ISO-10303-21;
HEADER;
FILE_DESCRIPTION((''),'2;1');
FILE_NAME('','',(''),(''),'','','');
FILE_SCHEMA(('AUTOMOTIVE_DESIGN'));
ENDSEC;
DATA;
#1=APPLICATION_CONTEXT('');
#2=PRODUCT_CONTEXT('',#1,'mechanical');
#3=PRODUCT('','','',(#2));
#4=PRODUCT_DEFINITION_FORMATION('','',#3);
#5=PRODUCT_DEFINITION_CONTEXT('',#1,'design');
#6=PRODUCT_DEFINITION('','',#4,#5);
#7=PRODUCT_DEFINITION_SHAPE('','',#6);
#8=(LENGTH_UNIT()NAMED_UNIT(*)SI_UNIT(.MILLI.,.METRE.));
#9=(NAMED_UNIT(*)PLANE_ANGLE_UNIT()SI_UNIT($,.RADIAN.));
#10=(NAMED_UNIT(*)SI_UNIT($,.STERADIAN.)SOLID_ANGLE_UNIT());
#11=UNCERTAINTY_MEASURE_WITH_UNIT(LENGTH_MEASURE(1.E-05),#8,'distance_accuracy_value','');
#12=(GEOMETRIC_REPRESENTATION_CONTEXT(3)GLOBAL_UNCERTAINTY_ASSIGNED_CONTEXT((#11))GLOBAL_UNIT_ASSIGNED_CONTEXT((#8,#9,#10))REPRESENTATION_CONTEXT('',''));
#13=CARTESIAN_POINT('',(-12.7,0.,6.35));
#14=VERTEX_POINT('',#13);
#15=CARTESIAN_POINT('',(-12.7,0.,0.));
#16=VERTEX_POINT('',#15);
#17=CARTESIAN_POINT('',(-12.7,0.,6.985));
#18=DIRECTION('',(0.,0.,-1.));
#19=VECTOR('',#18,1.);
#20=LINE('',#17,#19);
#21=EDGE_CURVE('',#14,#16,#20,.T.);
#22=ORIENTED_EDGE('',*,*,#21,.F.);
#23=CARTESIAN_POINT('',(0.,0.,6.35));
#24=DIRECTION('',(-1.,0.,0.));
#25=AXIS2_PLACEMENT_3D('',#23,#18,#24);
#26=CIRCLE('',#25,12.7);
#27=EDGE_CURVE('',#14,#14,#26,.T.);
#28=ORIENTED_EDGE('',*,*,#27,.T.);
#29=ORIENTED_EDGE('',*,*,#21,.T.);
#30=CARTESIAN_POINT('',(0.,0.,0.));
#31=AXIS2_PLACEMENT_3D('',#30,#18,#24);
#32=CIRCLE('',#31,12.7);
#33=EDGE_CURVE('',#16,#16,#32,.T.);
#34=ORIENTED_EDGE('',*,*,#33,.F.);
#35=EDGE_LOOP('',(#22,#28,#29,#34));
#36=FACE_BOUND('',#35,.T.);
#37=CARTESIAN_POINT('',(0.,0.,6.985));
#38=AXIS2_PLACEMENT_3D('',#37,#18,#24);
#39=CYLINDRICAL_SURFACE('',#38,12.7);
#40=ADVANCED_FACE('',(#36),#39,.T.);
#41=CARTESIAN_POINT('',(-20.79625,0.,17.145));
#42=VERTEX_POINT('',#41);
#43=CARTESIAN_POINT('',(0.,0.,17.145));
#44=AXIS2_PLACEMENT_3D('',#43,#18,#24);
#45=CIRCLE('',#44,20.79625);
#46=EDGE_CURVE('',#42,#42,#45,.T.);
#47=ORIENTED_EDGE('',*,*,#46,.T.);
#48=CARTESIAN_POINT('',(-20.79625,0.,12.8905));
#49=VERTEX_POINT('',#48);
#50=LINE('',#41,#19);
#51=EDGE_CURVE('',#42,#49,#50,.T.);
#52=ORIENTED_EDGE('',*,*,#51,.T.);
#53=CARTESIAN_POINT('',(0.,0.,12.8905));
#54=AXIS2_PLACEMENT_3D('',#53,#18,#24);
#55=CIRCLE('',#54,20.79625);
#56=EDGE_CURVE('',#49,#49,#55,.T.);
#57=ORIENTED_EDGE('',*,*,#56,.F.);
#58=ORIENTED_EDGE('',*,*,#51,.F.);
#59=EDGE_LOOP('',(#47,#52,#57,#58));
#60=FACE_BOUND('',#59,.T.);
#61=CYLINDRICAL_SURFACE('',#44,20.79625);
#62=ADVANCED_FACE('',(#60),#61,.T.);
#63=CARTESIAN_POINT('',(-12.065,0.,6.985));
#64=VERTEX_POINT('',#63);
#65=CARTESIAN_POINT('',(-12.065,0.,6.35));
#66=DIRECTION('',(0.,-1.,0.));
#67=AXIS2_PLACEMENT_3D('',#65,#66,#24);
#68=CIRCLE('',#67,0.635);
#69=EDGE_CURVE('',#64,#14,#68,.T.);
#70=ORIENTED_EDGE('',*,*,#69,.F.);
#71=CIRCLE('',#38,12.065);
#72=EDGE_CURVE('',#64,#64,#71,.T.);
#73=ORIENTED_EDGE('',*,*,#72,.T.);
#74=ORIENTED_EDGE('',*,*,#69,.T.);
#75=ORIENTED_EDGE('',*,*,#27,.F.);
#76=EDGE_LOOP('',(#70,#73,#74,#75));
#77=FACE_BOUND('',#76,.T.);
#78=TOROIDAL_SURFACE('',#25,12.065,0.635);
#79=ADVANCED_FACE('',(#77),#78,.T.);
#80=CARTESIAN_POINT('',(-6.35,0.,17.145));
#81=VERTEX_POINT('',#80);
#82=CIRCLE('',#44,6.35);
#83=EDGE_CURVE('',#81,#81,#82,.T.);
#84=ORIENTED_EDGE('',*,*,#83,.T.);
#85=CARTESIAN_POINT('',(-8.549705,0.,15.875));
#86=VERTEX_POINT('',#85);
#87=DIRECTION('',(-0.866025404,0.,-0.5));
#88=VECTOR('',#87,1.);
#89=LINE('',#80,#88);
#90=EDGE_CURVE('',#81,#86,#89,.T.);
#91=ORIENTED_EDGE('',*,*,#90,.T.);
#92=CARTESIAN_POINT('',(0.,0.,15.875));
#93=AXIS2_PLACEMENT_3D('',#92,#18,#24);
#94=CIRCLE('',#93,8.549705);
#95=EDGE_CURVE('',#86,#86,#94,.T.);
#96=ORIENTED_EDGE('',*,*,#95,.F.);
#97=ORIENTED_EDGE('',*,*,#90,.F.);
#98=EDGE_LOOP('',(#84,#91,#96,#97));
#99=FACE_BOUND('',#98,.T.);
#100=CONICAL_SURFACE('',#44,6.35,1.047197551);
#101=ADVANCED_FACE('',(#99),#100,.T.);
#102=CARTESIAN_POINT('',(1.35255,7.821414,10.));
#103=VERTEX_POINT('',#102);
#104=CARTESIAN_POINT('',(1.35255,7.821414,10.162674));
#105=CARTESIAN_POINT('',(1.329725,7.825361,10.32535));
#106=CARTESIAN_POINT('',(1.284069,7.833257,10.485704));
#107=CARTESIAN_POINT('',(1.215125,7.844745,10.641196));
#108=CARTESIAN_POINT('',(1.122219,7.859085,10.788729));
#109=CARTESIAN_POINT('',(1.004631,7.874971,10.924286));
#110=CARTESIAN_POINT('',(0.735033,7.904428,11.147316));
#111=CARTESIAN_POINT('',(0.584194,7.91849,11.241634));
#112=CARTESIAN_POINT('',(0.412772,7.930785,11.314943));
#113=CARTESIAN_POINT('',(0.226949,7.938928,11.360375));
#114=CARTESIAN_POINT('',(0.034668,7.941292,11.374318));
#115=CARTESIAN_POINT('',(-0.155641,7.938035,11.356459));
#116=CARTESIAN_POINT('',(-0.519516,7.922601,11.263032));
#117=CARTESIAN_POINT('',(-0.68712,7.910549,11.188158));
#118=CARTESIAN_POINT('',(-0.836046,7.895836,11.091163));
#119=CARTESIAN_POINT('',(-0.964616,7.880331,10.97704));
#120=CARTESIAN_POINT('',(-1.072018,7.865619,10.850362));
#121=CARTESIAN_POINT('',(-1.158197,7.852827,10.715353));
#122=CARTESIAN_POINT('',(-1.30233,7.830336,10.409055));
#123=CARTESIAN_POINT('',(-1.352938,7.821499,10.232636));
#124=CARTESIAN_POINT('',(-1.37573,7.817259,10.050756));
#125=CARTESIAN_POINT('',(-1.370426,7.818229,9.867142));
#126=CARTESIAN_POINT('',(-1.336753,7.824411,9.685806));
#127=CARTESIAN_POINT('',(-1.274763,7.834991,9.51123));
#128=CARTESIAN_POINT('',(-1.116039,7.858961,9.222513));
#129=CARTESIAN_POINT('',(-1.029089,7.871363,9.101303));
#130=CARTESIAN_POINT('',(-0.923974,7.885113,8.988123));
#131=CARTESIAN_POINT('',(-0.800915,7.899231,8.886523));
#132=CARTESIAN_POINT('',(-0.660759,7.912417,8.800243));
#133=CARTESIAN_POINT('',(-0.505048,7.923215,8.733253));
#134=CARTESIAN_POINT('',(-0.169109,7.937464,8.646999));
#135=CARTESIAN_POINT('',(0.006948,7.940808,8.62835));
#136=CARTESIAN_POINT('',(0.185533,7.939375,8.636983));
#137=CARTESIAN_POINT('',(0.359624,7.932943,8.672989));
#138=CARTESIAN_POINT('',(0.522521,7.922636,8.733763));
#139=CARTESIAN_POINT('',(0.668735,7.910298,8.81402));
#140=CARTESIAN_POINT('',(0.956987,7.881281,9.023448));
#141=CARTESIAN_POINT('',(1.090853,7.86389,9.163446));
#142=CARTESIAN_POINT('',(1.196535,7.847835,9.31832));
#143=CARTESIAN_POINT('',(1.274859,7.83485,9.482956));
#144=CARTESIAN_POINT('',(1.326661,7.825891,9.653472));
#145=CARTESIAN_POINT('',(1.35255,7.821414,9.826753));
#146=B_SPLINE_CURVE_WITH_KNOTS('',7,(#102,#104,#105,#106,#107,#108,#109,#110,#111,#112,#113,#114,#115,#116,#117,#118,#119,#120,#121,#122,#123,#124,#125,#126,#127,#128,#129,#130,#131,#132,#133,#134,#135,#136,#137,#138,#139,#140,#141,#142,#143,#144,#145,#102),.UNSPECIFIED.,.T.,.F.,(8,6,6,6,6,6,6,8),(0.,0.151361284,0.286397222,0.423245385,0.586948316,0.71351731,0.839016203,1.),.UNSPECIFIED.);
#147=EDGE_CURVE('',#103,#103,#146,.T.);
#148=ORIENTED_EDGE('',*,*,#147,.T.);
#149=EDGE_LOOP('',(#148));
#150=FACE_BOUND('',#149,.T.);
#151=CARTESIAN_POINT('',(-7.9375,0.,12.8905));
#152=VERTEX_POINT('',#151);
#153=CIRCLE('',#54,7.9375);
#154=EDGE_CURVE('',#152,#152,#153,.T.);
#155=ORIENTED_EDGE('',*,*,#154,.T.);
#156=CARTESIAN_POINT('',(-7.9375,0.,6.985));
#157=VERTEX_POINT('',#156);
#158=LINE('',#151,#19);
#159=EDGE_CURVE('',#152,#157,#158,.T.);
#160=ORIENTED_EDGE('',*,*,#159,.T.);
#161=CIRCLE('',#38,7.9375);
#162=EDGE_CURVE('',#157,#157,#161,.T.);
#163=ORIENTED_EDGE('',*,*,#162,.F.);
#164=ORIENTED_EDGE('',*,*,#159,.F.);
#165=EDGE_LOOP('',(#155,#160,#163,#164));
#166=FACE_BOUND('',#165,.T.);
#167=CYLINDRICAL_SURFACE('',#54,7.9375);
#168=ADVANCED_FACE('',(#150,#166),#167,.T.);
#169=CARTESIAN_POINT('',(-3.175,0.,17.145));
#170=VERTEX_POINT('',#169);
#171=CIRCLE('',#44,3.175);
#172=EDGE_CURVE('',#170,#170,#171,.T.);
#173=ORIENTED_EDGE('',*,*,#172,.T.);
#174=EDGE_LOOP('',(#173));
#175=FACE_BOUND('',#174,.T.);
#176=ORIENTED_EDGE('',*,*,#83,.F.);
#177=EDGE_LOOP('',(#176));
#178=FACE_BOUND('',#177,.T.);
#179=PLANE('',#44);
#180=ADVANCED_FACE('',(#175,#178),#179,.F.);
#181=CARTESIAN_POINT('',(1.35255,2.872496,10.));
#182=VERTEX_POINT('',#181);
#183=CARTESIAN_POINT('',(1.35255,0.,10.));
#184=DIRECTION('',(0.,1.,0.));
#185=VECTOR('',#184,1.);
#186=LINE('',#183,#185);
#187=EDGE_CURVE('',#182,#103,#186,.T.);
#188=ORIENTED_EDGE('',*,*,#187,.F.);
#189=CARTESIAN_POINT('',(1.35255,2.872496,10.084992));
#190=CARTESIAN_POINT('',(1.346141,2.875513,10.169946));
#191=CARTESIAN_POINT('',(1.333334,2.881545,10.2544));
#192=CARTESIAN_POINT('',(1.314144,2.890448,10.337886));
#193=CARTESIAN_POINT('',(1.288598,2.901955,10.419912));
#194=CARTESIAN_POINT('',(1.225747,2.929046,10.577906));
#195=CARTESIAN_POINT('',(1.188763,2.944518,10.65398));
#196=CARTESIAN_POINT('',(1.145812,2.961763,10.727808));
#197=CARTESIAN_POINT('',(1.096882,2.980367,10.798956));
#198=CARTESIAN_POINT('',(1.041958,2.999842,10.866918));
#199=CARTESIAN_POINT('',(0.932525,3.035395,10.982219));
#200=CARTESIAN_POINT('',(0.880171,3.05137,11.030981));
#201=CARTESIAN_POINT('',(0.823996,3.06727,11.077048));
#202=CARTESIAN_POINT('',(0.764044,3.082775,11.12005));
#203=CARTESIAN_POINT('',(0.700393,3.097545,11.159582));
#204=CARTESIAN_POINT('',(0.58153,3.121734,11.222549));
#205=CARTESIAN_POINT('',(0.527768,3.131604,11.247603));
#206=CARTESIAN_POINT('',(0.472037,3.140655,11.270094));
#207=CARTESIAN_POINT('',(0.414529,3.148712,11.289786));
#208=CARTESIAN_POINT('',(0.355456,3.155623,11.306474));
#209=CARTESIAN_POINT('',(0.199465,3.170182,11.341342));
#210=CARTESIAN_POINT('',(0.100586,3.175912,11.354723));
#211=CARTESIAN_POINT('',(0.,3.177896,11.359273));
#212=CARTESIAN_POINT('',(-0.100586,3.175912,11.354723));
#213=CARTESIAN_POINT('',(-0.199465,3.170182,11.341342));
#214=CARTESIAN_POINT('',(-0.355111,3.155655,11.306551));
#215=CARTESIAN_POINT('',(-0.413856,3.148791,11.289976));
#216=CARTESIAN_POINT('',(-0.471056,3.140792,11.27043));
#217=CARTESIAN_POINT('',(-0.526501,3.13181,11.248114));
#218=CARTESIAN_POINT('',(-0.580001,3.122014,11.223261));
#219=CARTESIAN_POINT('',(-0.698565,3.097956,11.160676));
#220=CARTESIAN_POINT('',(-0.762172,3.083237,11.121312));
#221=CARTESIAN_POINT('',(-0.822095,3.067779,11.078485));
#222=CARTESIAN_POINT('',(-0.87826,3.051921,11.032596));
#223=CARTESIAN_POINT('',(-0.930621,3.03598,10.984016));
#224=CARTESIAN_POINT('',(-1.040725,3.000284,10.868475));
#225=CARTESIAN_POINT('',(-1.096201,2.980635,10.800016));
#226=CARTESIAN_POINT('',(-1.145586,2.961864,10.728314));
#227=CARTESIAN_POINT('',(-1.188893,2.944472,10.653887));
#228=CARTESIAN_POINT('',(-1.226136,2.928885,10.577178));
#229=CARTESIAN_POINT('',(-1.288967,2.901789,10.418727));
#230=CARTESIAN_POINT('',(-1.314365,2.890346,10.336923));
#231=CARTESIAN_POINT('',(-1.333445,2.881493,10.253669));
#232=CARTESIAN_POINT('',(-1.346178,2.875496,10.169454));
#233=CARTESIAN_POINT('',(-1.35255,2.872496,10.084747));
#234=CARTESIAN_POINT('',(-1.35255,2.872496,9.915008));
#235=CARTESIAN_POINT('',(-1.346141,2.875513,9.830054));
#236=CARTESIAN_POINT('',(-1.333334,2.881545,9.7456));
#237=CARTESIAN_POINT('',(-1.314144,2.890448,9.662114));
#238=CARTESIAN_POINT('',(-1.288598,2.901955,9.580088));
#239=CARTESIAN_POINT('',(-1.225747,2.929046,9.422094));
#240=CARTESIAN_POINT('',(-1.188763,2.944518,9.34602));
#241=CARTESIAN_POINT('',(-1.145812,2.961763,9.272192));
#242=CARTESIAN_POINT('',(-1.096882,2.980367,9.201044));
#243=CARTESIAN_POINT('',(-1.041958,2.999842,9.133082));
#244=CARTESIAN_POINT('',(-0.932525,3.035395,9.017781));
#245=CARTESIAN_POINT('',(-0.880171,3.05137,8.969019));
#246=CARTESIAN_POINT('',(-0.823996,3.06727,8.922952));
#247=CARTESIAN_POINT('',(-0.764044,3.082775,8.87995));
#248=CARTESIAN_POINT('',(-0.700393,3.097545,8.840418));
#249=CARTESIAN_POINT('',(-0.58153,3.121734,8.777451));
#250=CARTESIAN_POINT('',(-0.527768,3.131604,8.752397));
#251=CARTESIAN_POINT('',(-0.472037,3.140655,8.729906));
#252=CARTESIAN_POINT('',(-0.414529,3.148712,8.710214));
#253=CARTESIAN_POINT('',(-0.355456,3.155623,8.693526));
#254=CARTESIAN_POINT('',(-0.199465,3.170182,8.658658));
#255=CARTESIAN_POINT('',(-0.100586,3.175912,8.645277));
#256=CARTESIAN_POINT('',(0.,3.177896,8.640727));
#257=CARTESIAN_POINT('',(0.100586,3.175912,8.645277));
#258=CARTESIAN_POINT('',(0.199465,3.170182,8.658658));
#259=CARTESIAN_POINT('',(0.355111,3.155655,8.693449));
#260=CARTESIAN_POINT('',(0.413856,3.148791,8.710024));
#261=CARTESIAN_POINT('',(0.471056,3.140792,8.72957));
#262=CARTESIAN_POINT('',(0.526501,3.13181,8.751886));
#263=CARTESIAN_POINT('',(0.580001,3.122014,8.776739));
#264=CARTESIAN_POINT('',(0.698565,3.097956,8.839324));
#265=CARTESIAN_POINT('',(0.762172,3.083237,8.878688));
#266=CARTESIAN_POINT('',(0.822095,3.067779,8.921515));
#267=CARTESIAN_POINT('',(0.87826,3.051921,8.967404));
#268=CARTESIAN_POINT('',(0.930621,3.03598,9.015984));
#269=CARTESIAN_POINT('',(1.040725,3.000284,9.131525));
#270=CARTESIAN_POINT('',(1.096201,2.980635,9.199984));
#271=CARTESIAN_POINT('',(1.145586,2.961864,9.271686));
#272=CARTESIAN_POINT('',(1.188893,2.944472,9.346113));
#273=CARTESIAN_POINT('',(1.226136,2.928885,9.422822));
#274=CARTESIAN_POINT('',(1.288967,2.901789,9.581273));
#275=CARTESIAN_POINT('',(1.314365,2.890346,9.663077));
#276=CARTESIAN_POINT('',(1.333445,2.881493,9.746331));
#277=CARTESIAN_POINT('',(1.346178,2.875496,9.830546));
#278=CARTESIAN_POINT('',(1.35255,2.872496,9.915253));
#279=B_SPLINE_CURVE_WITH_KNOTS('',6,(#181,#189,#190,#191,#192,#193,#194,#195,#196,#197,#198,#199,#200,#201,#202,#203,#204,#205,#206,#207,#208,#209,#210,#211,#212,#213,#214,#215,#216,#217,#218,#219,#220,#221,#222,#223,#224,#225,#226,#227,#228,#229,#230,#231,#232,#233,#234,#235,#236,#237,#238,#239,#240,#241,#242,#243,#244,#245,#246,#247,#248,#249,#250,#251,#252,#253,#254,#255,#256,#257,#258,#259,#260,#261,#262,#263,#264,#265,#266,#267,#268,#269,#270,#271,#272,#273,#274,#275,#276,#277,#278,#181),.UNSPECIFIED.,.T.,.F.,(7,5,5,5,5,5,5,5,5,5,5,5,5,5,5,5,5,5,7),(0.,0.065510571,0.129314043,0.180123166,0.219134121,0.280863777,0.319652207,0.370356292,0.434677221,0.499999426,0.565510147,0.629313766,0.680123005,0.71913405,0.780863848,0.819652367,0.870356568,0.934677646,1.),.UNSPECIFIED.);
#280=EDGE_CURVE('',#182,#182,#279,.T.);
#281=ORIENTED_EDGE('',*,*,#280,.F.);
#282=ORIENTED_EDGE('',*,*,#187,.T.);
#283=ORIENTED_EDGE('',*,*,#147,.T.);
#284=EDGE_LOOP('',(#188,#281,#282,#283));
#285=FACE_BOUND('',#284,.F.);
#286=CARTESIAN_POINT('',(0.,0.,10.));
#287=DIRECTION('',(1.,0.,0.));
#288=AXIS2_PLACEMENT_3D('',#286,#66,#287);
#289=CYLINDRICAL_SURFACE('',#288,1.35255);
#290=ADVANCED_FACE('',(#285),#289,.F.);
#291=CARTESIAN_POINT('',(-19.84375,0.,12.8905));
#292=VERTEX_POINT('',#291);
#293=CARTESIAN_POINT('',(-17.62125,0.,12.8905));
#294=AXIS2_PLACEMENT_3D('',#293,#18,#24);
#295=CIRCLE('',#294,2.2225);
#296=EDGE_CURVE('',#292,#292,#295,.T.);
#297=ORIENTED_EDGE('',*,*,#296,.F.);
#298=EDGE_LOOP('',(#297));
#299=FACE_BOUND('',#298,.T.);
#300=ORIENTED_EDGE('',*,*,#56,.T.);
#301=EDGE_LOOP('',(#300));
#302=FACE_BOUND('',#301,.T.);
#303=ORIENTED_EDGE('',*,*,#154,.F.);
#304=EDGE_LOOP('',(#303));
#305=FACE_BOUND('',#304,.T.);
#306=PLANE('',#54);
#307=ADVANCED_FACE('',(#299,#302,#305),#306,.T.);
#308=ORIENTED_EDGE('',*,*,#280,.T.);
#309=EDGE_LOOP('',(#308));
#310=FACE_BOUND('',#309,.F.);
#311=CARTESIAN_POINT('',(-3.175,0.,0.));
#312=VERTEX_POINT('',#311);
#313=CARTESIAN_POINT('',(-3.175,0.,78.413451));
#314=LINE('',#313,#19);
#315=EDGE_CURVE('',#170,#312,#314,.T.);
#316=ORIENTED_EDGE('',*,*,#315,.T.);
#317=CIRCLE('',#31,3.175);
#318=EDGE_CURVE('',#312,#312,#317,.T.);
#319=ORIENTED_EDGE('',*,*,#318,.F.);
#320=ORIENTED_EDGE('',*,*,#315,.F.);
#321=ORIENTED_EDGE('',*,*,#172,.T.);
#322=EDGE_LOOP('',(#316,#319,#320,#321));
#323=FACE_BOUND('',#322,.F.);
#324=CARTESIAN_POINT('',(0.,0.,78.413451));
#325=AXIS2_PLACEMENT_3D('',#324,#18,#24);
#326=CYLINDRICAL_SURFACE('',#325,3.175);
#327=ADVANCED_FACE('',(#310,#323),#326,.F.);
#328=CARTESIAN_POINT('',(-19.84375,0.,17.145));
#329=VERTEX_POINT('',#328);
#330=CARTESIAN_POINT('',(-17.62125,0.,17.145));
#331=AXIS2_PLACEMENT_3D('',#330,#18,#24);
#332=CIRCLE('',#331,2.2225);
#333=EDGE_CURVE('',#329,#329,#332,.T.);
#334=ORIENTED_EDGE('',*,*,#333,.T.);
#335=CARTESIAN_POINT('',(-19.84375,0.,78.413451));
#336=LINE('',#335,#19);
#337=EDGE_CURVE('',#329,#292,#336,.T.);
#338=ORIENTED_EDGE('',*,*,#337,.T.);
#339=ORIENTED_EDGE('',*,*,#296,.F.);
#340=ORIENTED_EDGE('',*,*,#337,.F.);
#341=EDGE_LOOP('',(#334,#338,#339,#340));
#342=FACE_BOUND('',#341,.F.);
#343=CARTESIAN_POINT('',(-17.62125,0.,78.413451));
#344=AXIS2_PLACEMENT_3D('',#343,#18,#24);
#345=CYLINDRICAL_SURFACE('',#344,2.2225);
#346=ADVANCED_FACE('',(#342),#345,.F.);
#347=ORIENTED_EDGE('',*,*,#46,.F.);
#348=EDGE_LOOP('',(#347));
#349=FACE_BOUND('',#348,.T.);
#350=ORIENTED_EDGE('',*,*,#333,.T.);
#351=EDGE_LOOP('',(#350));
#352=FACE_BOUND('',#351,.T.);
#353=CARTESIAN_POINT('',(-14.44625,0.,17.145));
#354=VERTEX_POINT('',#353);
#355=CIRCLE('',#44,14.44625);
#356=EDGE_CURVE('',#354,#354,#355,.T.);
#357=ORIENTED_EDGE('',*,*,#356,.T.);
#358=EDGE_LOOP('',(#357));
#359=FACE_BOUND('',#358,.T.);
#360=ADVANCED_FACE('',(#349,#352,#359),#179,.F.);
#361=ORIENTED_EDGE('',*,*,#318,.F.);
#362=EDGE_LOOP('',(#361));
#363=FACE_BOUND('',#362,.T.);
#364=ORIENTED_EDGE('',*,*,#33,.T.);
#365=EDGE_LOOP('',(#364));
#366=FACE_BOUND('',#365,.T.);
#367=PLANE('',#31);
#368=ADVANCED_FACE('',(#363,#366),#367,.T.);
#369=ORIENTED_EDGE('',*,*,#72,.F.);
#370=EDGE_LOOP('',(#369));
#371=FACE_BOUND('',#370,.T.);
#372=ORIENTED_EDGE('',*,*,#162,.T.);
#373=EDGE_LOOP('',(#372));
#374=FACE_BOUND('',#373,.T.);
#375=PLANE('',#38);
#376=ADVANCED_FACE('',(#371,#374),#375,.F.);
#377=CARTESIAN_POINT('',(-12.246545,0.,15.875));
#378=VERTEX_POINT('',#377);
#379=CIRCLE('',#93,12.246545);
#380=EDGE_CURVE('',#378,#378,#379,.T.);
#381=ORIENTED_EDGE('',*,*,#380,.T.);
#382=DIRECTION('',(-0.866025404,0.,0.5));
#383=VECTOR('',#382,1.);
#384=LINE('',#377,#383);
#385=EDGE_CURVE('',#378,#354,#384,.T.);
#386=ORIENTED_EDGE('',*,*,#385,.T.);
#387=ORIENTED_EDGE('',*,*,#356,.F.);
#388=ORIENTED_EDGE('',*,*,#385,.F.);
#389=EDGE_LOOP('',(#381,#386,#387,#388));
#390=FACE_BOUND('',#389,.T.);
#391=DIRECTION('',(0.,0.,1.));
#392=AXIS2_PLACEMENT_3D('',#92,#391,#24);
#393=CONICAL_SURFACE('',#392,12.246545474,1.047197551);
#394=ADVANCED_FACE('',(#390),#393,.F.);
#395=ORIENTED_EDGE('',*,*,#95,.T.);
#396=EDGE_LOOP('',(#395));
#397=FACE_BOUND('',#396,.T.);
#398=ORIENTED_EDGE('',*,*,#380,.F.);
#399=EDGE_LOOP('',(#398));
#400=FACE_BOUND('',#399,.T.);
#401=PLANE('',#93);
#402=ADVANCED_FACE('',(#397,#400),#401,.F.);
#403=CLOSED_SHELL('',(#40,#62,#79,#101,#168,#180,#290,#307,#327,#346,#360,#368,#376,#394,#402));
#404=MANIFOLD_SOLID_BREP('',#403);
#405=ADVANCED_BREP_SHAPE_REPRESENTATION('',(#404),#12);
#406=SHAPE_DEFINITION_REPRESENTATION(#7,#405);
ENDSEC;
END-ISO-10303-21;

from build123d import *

# Parameters (mm, degrees)
F2_R     = 0.635
F4_D     = 6.35
F6_D     = 4.445
F7_D     = 2.7051
F7_DEPTH = 20.79725


with BuildPart() as f1:
    # F0 (on Front) → F1 (revolve)
    with BuildSketch(Plane.XZ):
        Polygon((-12.7, 0), (0, 0), (0, 17.145), (-6.35, 17.145), (-8.5497045256, 15.875), (-12.2465454744, 15.875), (-14.44625, 17.145), (-20.79625, 17.145), (-20.79625, 12.8905), (-7.9375, 12.8905), (-7.9375, 6.985), (-12.7, 6.985), align=None)
    revolve(axis=Axis((0, 0, 8.5725), (0, 0, -1)))

    # F2
    f2_edges = [f1.edges().sort_by_distance(p)[0] for p in [
        (12.7, 0, 6.985),
    ]]
    fillet(f2_edges, radius=F2_R)

    # F4 (through all)
    with Locations(Plane.XY.offset(17.145)):
        with Locations((0, 0)):
            Hole(F4_D / 2)

    # F6 (through all)
    with Locations(Plane.XY.offset(17.145)):
        with Locations((-17.62125, 0)):
            Hole(F6_D / 2)

    # F7 (through all, one way)
    with BuildSketch(Plane.XZ):
        with Locations((0, 10)):
            Circle(F7_D / 2)
    extrude(amount=-F7_DEPTH, mode=Mode.SUBTRACT)


solid = f1.part
